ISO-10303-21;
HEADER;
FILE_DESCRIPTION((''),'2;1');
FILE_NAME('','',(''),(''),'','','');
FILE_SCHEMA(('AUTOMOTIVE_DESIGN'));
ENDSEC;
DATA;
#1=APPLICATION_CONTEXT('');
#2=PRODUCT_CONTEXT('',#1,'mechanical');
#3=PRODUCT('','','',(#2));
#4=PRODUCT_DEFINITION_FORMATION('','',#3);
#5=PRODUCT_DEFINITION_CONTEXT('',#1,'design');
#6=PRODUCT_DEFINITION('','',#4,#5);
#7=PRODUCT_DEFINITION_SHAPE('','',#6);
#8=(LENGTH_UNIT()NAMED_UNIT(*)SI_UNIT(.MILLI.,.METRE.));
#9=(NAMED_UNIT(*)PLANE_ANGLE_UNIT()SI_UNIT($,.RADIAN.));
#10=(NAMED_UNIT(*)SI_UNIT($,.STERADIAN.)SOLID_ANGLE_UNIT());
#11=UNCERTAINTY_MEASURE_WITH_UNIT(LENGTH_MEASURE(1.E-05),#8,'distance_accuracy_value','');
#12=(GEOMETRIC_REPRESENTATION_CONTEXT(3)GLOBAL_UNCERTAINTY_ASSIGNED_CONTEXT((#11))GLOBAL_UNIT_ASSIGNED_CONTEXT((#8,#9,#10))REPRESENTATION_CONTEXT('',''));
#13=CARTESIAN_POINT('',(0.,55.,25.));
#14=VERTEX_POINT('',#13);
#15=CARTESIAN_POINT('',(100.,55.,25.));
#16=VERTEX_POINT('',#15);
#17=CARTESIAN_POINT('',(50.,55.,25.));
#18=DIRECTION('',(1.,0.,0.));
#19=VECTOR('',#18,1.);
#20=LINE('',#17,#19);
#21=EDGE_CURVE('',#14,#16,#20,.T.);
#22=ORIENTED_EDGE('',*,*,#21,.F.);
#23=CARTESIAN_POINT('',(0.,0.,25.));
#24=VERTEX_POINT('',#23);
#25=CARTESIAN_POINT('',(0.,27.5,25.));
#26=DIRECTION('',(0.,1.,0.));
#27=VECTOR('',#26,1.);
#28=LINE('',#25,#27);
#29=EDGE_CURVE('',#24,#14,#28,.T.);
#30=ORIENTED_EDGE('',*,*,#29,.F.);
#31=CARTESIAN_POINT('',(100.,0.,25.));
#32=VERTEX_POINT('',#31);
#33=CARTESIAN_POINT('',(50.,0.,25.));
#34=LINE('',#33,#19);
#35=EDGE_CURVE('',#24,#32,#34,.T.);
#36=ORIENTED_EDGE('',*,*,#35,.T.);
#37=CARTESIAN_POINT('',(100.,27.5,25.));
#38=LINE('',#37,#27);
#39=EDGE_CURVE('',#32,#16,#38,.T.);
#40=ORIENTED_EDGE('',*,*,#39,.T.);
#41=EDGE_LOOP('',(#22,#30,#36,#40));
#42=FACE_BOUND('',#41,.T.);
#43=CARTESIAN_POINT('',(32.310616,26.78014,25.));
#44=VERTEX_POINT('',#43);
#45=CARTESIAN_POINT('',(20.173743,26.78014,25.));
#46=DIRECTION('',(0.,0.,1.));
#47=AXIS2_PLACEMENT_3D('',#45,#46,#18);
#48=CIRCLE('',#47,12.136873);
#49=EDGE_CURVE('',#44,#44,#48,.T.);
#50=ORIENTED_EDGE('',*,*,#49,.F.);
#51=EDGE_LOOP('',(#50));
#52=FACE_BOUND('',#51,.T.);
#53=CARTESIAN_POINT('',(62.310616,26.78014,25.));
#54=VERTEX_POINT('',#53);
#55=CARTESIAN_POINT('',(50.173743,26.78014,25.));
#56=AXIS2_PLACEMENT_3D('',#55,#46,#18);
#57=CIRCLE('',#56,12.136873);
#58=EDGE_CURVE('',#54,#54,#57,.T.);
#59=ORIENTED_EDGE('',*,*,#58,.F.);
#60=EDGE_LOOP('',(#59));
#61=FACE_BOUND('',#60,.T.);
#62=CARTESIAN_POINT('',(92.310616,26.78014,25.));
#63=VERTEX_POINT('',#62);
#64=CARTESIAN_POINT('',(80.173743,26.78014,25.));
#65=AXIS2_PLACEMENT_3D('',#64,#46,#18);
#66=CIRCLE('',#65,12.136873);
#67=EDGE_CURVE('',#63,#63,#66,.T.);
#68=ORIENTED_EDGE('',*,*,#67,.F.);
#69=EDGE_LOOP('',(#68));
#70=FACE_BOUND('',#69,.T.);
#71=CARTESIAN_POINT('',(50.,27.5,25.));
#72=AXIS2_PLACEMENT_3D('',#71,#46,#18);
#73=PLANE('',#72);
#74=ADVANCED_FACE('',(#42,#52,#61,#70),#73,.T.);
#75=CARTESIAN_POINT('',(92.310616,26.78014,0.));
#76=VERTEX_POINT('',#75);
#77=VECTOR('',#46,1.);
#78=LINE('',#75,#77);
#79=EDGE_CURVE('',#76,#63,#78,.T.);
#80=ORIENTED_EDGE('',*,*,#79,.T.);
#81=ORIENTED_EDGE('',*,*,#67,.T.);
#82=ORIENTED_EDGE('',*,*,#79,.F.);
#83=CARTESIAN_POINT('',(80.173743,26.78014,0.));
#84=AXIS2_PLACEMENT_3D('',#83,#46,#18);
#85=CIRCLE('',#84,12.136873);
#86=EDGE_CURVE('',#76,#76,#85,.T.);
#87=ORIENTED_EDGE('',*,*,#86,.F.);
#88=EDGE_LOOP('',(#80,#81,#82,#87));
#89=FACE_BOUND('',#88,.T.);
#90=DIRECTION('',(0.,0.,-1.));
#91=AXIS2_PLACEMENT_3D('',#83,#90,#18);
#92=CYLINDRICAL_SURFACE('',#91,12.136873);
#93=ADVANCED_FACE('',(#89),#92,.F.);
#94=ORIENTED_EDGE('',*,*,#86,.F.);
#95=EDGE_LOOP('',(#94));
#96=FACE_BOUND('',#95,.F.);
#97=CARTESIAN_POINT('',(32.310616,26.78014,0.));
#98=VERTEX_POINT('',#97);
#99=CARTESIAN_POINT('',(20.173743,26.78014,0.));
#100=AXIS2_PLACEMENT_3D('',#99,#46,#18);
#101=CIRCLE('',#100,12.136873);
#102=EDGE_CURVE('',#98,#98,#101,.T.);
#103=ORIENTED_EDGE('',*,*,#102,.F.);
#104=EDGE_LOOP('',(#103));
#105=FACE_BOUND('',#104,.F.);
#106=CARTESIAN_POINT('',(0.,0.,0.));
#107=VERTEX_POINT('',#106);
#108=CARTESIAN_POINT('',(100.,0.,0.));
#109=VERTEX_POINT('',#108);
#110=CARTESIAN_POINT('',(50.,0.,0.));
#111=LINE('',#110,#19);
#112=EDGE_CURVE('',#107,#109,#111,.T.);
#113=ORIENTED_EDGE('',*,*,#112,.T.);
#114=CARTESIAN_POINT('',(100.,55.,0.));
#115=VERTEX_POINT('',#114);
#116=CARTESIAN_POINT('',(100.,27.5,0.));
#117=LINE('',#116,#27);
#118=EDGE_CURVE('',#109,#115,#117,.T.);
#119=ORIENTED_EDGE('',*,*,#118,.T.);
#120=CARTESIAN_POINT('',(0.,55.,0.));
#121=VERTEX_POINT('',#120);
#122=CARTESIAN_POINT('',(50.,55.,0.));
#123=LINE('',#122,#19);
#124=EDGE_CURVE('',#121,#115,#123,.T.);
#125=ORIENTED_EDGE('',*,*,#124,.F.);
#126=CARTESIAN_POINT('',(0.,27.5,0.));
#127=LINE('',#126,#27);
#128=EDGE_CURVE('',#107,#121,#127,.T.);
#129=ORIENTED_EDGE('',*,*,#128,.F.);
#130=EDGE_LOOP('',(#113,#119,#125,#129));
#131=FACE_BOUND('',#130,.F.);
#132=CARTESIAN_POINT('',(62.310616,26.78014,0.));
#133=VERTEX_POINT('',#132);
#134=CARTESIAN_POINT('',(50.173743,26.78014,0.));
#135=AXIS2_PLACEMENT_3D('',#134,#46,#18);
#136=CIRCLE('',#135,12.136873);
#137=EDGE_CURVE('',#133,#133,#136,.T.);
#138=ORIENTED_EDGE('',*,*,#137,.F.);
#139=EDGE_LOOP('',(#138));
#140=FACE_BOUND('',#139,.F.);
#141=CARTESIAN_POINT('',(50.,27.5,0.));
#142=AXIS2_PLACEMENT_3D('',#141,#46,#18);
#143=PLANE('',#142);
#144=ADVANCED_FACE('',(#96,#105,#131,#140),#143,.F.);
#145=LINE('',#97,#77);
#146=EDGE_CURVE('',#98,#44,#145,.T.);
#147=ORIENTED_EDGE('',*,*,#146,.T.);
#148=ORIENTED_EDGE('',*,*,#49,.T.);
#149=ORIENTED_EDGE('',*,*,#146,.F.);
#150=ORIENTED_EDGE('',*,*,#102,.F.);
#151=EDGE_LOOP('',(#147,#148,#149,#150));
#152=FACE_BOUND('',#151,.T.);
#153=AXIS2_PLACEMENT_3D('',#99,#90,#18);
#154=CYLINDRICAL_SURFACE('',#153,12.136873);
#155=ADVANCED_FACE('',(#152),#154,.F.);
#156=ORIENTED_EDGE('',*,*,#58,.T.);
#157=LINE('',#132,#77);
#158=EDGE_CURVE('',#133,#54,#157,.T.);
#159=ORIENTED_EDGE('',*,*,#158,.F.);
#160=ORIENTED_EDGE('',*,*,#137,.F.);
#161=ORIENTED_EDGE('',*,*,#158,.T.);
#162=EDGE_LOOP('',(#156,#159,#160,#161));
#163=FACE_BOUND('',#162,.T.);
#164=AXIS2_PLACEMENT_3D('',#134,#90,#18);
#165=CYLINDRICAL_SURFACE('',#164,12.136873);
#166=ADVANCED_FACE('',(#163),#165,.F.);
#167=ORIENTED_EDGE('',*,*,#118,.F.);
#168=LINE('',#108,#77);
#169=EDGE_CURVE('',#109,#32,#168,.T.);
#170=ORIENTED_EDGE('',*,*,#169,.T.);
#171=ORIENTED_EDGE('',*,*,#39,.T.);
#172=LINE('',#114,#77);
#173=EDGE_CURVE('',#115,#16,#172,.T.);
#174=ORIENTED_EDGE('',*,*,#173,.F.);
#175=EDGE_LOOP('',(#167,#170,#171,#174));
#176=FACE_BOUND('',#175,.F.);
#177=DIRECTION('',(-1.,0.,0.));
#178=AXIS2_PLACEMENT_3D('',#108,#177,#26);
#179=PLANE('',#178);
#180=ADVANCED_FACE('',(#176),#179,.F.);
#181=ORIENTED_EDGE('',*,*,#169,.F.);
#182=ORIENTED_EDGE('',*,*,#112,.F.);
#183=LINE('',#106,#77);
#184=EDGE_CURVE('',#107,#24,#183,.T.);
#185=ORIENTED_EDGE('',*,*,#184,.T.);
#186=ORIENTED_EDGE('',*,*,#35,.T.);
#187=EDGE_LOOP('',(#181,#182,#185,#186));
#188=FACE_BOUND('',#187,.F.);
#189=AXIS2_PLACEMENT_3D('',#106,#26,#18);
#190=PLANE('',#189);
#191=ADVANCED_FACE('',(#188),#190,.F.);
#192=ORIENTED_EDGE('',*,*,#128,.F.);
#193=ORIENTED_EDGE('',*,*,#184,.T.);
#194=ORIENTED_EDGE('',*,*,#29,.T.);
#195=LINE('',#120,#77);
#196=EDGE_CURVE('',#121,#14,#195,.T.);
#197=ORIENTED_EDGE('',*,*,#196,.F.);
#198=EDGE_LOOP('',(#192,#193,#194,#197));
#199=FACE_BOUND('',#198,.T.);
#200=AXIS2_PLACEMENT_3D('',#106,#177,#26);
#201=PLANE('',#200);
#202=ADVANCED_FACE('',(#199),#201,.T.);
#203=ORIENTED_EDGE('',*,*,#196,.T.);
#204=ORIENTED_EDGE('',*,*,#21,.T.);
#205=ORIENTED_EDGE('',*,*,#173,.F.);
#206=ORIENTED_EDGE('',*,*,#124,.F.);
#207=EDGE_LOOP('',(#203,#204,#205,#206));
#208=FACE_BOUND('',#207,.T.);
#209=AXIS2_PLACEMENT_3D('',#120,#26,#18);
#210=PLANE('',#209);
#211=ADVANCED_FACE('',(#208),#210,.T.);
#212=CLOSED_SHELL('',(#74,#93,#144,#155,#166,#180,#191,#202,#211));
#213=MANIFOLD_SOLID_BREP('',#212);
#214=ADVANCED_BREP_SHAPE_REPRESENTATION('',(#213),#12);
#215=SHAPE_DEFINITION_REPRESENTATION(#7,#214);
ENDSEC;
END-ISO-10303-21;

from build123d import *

# Parameters (mm, degrees)
F0_W     = 100
F0_H     = 55
F1_DEPTH = 25
F2_R     = 12.136873
F3_DEPTH = 25


with BuildPart() as f1:
    # F0 (on Top) → F1 (new body)
    with BuildSketch(Plane.XY):
        with Locations((50, 27.5)):
            Rectangle(F0_W, F0_H)
    extrude(amount=F1_DEPTH)

    # F2 (on Top) → F3 (cut)
    with BuildSketch(Plane.XY):
        with Locations((80.173743, 26.78014)):
            Circle(F2_R)
        with Locations((50.173743, 26.78014)):
            Circle(F2_R)
        with Locations((20.173743, 26.78014)):
            Circle(F2_R)
    extrude(amount=F3_DEPTH, mode=Mode.SUBTRACT)


solid = f1.part
